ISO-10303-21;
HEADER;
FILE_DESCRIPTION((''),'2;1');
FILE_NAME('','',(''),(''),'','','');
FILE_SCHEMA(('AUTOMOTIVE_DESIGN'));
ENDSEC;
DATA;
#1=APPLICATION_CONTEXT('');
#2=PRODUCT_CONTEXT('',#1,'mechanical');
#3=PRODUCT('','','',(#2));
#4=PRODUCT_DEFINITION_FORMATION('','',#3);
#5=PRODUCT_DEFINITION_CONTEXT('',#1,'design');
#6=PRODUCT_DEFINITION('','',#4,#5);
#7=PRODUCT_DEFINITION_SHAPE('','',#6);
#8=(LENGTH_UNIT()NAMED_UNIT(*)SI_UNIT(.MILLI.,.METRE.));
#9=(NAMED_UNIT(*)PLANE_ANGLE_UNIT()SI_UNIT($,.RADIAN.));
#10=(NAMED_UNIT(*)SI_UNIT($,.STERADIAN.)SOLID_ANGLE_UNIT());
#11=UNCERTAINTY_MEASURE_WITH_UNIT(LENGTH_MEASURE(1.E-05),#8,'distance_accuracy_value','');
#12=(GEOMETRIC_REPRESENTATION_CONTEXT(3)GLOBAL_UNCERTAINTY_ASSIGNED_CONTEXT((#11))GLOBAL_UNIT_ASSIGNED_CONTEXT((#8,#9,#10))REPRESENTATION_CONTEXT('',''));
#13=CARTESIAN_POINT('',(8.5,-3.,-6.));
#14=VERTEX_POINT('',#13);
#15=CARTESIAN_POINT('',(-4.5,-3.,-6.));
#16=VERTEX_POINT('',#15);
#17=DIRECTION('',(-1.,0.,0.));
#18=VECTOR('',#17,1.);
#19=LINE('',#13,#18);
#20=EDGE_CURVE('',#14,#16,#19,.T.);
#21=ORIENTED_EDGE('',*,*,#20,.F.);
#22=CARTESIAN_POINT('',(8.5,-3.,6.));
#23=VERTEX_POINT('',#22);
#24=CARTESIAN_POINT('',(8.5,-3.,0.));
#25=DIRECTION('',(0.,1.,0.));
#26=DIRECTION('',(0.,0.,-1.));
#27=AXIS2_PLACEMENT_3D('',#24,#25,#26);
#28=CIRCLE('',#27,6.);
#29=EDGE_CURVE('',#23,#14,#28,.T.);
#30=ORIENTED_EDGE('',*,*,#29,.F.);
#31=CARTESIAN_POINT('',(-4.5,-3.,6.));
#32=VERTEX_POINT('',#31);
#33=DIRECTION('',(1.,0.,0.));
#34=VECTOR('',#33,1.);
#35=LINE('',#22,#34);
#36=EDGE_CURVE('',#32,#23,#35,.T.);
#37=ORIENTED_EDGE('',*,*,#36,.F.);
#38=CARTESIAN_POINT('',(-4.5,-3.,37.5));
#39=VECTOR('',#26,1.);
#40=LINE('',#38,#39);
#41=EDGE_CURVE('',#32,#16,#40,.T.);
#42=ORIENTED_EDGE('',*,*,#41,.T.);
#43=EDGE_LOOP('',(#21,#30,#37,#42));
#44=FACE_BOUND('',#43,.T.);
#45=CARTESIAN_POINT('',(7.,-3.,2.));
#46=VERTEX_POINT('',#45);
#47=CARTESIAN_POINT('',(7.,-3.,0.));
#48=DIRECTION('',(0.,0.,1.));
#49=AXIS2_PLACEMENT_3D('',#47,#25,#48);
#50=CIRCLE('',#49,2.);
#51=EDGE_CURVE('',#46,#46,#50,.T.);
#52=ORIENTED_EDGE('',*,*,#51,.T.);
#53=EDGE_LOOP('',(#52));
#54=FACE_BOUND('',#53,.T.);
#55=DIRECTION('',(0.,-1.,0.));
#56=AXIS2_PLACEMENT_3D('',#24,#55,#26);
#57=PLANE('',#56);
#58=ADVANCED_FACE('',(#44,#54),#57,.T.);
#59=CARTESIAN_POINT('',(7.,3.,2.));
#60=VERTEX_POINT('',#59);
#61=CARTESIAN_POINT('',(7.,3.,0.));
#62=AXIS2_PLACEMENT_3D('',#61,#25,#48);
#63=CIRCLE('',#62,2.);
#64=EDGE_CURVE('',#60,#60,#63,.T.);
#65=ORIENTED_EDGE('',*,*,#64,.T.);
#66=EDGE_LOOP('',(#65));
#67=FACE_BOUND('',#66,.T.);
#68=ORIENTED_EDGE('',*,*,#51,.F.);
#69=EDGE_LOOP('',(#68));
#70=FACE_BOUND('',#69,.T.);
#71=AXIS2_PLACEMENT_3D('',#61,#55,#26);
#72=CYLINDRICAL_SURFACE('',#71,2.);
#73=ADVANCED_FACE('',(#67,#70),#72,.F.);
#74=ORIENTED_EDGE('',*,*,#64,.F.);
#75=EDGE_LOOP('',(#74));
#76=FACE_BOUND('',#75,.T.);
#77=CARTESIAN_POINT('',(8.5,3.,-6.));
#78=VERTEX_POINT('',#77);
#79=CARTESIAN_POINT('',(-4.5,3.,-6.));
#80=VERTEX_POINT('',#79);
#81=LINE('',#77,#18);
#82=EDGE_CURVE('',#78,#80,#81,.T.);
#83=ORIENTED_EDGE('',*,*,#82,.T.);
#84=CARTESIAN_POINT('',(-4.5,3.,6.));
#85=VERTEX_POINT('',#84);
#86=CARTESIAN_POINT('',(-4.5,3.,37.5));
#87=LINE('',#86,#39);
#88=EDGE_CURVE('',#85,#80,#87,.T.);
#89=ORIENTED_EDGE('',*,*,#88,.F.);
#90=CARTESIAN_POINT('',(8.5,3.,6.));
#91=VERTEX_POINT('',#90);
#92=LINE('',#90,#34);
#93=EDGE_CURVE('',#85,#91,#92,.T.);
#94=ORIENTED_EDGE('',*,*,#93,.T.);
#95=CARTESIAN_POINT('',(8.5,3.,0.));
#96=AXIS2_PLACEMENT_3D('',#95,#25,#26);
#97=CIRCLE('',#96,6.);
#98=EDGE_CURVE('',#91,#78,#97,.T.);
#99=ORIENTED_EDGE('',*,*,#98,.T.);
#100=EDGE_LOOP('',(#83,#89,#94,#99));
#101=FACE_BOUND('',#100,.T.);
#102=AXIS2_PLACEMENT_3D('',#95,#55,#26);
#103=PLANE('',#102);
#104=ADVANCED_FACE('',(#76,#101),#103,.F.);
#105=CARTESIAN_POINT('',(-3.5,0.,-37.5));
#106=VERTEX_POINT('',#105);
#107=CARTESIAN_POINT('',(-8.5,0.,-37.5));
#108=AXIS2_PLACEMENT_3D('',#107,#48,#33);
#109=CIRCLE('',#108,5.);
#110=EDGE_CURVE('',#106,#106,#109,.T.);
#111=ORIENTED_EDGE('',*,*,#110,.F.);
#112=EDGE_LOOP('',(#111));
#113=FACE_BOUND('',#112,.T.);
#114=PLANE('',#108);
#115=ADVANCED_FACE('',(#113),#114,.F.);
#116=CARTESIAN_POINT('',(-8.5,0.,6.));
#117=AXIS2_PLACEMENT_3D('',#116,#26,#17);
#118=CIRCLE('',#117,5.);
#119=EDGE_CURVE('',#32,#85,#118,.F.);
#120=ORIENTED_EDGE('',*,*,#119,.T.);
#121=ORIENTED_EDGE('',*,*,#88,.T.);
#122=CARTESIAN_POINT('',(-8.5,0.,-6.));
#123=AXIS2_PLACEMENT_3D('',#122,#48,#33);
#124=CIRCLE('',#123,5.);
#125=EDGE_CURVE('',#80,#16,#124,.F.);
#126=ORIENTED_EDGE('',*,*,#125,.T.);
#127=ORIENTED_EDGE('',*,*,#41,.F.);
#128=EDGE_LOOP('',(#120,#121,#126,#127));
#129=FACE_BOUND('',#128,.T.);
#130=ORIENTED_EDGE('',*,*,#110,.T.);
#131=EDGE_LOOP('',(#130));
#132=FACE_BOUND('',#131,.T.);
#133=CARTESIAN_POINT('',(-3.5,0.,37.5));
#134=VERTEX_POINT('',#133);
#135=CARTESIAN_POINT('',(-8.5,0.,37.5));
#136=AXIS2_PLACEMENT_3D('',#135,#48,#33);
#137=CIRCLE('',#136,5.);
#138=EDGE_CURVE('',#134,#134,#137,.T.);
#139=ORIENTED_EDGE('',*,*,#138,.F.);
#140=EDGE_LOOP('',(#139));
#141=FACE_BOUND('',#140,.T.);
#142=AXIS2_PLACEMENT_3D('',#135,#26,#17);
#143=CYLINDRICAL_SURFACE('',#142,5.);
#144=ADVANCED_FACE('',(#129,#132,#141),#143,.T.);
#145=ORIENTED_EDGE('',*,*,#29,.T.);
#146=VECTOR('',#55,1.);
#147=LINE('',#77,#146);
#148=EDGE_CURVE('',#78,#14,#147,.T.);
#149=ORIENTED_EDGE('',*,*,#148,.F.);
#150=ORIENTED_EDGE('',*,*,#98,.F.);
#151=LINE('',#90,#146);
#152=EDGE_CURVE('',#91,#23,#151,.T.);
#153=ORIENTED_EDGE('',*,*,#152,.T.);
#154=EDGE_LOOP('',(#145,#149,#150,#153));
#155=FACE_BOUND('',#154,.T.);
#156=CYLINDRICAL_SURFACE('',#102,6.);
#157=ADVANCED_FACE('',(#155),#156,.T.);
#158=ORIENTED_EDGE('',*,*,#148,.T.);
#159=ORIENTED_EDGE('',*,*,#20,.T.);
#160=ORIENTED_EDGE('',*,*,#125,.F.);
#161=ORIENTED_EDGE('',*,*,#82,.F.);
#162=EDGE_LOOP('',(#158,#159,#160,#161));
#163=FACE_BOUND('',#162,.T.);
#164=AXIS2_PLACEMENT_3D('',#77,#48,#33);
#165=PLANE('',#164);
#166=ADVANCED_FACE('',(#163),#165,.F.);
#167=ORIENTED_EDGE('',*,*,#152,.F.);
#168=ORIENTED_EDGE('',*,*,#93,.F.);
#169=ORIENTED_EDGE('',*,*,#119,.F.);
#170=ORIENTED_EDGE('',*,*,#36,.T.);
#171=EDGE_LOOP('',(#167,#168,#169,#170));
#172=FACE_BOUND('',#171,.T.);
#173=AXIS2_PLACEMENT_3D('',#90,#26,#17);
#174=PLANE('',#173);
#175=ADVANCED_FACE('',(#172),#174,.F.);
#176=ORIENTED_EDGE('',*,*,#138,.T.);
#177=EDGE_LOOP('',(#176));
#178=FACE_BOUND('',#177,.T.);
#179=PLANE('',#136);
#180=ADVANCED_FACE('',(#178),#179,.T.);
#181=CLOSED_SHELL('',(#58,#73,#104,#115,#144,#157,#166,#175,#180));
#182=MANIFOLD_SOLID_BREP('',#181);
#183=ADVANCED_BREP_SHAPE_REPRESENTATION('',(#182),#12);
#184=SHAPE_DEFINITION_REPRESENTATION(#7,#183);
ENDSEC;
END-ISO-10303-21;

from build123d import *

# Parameters (mm, degrees)
SKETCH3_R           = 2
BOSS_EXTRUDE1_DEPTH = 3
SKETCH6_R           = 5
BOSS_EXTRUDE2_DEPTH = 37.5


with BuildPart() as part:
    # Sketch3 → Boss-Extrude1 (new, symmetric)
    with BuildSketch(Plane(origin=(0, 0, 0), x_dir=(1, 0, 0), z_dir=(0, 1, 0))):
        with BuildLine():
            Line((8.5, -6), (-8.5, -6))
            Line((-8.5, -6), (-8.5, 6))
            Line((-8.5, 6), (8.5, 6))
            ThreePointArc((8.5, 6), (14.5, 0), (8.5, -6))
        make_face()
        with Locations(Location((7, 0, 0), (0, 0, 270))):
            Circle(SKETCH3_R, mode=Mode.SUBTRACT)
    extrude(amount=BOSS_EXTRUDE1_DEPTH, both=True)

    # Sketch6 → Boss-Extrude2 (add, symmetric)
    with BuildSketch(Plane.XY):
        with Locations((-8.5, 0)):
            Circle(SKETCH6_R)
    extrude(amount=BOSS_EXTRUDE2_DEPTH, both=True)


solid = part.part
